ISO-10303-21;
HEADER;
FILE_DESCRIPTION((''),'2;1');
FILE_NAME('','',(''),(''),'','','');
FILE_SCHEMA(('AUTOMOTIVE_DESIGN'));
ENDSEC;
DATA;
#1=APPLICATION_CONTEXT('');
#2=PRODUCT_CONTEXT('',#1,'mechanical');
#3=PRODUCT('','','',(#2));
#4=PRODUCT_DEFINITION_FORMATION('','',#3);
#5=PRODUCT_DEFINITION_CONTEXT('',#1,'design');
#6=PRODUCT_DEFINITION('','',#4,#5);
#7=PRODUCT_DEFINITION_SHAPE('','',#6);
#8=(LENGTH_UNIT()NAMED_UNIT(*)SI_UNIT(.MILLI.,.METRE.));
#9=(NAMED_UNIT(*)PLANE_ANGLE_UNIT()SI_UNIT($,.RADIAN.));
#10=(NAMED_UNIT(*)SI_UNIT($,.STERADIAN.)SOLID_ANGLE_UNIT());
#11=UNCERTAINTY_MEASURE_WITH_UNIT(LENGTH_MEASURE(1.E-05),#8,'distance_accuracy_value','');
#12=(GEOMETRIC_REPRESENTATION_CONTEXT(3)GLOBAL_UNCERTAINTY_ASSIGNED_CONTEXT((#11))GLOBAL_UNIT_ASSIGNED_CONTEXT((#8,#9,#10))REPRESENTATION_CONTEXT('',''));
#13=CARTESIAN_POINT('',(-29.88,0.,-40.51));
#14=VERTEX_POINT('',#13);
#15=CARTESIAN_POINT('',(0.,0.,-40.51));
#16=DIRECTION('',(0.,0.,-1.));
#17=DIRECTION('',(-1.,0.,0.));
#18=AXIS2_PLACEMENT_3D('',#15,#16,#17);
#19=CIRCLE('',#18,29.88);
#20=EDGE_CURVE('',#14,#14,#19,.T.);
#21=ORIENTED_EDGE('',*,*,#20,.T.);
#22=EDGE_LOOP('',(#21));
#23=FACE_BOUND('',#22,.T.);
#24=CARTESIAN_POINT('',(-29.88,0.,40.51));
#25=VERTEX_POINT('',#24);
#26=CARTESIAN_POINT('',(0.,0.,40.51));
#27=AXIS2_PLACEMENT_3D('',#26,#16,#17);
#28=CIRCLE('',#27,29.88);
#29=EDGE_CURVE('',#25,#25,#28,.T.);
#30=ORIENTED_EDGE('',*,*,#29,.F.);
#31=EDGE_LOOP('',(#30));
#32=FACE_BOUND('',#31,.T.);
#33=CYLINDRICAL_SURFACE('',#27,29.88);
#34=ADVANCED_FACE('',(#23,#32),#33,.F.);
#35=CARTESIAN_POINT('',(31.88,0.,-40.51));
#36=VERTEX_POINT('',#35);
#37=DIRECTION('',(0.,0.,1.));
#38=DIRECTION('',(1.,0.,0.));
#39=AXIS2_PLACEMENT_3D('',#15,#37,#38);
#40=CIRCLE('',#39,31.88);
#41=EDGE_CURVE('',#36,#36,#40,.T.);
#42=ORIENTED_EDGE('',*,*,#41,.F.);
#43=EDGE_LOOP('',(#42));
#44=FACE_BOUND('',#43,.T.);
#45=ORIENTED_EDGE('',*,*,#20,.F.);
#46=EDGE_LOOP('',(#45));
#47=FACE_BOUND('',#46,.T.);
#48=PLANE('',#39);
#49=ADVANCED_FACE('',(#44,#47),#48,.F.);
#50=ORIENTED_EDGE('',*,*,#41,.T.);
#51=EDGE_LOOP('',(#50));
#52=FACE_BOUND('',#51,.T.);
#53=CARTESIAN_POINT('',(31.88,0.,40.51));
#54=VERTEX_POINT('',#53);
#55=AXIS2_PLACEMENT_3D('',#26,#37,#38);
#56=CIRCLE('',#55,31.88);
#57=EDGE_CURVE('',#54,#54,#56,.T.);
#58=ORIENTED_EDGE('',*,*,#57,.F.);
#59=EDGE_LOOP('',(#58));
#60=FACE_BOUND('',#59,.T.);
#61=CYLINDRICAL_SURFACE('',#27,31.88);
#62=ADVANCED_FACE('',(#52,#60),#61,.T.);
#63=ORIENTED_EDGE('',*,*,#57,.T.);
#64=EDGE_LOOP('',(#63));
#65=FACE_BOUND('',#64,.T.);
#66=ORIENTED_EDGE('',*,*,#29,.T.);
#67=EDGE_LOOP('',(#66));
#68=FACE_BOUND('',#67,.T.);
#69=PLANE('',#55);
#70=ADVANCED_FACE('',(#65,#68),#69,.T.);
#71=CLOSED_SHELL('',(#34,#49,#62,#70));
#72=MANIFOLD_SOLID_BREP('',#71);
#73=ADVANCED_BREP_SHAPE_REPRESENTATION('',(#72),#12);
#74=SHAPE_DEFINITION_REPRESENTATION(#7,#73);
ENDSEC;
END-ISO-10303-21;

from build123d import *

# Parameters (mm, degrees)
CROQUIS1_R              = 31.88
SALIENTE_EXTRUIR1_DEPTH = 40.51
CROQUIS2_R              = 29.88
CORTAR_EXTRUIR1_DEPTH   = 81.02


with BuildPart() as part:
    # Croquis1 → Saliente-Extruir1 (new, symmetric)
    with BuildSketch(Plane.XY):
        Circle(CROQUIS1_R)
    extrude(amount=SALIENTE_EXTRUIR1_DEPTH, both=True)

    # Croquis2 → Cortar-Extruir1 (cut)
    with BuildSketch(Plane(origin=(0, 0, -40.51), x_dir=(-1, 0, 0), z_dir=(0, 0, -1))):
        Circle(CROQUIS2_R)
    extrude(amount=-CORTAR_EXTRUIR1_DEPTH, mode=Mode.SUBTRACT)


solid = part.part
